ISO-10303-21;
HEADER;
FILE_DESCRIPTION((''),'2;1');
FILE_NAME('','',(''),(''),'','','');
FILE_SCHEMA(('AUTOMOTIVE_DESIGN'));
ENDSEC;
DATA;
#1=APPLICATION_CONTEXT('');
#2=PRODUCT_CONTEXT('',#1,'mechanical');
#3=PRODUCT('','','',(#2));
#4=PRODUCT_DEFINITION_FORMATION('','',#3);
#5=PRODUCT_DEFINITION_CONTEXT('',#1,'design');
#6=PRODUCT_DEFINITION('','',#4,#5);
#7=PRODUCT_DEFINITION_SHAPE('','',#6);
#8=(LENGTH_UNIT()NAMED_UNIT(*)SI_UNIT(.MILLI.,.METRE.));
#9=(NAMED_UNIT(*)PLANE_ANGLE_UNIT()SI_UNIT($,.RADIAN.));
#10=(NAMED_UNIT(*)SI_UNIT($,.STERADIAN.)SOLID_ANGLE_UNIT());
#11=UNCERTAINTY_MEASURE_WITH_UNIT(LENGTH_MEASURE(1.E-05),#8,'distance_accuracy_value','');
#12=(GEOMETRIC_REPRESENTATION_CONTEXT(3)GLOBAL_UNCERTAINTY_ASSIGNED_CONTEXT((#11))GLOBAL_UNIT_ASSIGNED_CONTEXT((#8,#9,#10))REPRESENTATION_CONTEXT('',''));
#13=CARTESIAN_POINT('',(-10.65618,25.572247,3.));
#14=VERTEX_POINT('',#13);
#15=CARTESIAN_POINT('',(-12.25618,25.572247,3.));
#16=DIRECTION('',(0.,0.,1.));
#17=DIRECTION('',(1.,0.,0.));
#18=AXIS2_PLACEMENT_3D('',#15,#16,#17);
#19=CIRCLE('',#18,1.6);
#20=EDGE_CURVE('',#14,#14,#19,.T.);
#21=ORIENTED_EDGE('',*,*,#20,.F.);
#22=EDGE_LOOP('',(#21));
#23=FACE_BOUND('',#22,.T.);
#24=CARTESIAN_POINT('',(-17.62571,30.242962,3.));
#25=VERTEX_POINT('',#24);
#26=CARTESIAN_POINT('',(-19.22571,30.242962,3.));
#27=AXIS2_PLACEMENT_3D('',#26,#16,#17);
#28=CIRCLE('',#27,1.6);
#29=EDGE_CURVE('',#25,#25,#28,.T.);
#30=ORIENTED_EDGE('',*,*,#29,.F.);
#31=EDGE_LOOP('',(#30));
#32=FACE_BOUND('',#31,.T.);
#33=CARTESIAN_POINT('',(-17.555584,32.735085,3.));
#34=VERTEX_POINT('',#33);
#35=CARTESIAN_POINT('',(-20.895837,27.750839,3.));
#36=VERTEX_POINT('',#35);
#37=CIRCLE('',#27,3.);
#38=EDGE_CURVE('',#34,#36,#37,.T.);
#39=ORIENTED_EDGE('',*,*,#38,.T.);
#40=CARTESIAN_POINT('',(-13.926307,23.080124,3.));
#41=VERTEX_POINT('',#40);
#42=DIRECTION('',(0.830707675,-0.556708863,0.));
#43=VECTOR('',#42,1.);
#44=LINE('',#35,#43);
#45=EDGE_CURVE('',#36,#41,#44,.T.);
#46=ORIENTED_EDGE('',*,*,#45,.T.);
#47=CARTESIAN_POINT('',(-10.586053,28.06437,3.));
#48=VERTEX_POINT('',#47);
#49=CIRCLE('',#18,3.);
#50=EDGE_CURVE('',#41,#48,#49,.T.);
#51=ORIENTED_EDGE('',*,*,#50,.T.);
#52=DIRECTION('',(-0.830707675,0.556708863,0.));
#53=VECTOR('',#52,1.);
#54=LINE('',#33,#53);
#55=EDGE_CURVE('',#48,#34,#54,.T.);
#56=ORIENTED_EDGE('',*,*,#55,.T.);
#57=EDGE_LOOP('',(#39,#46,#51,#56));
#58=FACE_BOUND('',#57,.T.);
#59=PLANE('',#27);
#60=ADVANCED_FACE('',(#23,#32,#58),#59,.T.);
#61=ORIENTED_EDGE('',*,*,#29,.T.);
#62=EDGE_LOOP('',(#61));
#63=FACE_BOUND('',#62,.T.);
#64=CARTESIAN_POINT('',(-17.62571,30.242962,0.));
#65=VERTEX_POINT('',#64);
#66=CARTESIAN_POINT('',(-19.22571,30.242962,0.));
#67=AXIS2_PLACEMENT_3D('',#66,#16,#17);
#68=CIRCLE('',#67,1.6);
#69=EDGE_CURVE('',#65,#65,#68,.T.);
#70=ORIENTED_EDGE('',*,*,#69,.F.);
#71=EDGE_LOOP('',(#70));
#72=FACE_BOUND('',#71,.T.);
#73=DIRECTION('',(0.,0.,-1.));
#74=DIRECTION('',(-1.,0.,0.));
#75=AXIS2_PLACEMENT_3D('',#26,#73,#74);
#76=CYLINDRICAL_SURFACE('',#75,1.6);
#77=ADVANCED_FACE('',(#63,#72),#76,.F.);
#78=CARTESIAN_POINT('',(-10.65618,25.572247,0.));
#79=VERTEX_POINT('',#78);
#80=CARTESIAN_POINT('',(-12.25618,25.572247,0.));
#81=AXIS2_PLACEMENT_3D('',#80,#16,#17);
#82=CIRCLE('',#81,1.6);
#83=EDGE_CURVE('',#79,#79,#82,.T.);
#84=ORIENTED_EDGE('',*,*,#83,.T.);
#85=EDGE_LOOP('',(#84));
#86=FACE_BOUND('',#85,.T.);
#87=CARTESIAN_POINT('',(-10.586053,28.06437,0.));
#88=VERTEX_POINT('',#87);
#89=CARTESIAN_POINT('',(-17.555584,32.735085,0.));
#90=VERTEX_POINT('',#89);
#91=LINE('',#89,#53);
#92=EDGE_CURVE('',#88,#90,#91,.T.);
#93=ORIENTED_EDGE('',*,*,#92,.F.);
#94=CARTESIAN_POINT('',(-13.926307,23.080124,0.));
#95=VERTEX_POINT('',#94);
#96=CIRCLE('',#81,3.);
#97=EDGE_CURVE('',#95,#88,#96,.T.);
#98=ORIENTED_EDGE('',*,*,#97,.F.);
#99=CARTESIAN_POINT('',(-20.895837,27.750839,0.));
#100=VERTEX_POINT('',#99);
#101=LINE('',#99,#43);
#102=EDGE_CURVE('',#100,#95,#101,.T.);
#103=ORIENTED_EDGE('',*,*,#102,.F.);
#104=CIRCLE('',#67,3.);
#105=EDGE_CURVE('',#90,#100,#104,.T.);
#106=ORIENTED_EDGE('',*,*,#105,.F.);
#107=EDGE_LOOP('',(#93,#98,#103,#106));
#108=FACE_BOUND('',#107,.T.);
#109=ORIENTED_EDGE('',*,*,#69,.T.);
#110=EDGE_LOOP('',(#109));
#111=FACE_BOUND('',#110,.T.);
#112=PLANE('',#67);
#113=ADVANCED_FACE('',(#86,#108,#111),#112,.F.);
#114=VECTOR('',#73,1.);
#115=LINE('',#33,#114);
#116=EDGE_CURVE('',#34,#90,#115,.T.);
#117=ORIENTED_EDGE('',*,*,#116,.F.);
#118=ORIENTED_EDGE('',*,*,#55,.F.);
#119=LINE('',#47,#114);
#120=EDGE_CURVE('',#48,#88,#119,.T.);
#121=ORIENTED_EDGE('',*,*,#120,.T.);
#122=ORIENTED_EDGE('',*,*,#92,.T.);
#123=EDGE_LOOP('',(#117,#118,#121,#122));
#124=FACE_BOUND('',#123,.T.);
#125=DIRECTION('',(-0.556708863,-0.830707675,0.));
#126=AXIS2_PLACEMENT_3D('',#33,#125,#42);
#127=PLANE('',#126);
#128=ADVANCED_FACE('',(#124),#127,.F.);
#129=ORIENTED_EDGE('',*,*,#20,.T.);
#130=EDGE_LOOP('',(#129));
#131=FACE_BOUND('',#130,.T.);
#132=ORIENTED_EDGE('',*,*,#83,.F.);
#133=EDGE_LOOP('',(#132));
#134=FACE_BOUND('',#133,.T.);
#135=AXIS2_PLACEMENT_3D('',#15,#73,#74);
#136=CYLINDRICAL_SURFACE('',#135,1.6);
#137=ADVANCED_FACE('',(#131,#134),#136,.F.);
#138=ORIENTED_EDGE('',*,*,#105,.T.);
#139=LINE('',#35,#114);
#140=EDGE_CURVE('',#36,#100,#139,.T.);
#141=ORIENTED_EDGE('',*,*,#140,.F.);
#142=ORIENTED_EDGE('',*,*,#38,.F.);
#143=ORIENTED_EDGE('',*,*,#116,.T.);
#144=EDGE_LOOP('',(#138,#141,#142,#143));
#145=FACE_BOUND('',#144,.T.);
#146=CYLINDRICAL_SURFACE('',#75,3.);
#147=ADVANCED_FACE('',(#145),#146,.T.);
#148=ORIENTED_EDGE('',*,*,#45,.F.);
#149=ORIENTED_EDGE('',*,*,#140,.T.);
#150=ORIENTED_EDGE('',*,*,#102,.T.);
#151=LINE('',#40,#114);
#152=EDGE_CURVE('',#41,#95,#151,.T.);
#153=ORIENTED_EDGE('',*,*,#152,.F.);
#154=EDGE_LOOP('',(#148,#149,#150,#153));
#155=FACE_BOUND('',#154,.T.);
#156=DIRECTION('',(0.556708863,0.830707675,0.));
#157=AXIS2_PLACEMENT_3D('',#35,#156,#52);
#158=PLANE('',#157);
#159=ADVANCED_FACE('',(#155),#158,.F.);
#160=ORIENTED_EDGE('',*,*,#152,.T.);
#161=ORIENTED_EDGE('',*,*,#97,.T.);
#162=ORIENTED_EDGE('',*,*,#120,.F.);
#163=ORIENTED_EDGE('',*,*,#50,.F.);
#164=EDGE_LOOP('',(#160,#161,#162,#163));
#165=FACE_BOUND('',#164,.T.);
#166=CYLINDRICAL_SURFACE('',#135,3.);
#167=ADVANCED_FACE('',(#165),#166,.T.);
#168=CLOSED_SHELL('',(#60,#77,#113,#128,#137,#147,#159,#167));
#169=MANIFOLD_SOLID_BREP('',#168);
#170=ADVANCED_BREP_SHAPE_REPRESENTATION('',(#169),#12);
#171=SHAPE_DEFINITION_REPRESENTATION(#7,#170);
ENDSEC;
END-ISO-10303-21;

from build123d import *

# Parameters (mm, degrees)
SKETCH1_R           = 1.6
BOSS_EXTRUDE1_DEPTH = 3


with BuildPart() as part:
    # Sketch1 → Boss-Extrude1 (new body)
    with BuildSketch(Plane.XY):
        with BuildLine():
            Line((-20.895836939, 27.750839104), (-13.926306628, 23.08012351))
            ThreePointArc((-13.926306628, 23.08012351), (-9.764057014, 23.902119948), (-10.586053451, 28.064369563))
            Line((-10.586053451, 28.064369563), (-17.555583761, 32.735085157))
            ThreePointArc((-17.555583761, 32.735085157), (-21.717833376, 31.913088719), (-20.895836939, 27.750839104))
        make_face()
        with Locations((-19.22571035, 30.24296213)):
            Circle(SKETCH1_R, mode=Mode.SUBTRACT)
        with Locations((-12.25618004, 25.572246536)):
            Circle(SKETCH1_R, mode=Mode.SUBTRACT)
    extrude(amount=BOSS_EXTRUDE1_DEPTH)


solid = part.part
